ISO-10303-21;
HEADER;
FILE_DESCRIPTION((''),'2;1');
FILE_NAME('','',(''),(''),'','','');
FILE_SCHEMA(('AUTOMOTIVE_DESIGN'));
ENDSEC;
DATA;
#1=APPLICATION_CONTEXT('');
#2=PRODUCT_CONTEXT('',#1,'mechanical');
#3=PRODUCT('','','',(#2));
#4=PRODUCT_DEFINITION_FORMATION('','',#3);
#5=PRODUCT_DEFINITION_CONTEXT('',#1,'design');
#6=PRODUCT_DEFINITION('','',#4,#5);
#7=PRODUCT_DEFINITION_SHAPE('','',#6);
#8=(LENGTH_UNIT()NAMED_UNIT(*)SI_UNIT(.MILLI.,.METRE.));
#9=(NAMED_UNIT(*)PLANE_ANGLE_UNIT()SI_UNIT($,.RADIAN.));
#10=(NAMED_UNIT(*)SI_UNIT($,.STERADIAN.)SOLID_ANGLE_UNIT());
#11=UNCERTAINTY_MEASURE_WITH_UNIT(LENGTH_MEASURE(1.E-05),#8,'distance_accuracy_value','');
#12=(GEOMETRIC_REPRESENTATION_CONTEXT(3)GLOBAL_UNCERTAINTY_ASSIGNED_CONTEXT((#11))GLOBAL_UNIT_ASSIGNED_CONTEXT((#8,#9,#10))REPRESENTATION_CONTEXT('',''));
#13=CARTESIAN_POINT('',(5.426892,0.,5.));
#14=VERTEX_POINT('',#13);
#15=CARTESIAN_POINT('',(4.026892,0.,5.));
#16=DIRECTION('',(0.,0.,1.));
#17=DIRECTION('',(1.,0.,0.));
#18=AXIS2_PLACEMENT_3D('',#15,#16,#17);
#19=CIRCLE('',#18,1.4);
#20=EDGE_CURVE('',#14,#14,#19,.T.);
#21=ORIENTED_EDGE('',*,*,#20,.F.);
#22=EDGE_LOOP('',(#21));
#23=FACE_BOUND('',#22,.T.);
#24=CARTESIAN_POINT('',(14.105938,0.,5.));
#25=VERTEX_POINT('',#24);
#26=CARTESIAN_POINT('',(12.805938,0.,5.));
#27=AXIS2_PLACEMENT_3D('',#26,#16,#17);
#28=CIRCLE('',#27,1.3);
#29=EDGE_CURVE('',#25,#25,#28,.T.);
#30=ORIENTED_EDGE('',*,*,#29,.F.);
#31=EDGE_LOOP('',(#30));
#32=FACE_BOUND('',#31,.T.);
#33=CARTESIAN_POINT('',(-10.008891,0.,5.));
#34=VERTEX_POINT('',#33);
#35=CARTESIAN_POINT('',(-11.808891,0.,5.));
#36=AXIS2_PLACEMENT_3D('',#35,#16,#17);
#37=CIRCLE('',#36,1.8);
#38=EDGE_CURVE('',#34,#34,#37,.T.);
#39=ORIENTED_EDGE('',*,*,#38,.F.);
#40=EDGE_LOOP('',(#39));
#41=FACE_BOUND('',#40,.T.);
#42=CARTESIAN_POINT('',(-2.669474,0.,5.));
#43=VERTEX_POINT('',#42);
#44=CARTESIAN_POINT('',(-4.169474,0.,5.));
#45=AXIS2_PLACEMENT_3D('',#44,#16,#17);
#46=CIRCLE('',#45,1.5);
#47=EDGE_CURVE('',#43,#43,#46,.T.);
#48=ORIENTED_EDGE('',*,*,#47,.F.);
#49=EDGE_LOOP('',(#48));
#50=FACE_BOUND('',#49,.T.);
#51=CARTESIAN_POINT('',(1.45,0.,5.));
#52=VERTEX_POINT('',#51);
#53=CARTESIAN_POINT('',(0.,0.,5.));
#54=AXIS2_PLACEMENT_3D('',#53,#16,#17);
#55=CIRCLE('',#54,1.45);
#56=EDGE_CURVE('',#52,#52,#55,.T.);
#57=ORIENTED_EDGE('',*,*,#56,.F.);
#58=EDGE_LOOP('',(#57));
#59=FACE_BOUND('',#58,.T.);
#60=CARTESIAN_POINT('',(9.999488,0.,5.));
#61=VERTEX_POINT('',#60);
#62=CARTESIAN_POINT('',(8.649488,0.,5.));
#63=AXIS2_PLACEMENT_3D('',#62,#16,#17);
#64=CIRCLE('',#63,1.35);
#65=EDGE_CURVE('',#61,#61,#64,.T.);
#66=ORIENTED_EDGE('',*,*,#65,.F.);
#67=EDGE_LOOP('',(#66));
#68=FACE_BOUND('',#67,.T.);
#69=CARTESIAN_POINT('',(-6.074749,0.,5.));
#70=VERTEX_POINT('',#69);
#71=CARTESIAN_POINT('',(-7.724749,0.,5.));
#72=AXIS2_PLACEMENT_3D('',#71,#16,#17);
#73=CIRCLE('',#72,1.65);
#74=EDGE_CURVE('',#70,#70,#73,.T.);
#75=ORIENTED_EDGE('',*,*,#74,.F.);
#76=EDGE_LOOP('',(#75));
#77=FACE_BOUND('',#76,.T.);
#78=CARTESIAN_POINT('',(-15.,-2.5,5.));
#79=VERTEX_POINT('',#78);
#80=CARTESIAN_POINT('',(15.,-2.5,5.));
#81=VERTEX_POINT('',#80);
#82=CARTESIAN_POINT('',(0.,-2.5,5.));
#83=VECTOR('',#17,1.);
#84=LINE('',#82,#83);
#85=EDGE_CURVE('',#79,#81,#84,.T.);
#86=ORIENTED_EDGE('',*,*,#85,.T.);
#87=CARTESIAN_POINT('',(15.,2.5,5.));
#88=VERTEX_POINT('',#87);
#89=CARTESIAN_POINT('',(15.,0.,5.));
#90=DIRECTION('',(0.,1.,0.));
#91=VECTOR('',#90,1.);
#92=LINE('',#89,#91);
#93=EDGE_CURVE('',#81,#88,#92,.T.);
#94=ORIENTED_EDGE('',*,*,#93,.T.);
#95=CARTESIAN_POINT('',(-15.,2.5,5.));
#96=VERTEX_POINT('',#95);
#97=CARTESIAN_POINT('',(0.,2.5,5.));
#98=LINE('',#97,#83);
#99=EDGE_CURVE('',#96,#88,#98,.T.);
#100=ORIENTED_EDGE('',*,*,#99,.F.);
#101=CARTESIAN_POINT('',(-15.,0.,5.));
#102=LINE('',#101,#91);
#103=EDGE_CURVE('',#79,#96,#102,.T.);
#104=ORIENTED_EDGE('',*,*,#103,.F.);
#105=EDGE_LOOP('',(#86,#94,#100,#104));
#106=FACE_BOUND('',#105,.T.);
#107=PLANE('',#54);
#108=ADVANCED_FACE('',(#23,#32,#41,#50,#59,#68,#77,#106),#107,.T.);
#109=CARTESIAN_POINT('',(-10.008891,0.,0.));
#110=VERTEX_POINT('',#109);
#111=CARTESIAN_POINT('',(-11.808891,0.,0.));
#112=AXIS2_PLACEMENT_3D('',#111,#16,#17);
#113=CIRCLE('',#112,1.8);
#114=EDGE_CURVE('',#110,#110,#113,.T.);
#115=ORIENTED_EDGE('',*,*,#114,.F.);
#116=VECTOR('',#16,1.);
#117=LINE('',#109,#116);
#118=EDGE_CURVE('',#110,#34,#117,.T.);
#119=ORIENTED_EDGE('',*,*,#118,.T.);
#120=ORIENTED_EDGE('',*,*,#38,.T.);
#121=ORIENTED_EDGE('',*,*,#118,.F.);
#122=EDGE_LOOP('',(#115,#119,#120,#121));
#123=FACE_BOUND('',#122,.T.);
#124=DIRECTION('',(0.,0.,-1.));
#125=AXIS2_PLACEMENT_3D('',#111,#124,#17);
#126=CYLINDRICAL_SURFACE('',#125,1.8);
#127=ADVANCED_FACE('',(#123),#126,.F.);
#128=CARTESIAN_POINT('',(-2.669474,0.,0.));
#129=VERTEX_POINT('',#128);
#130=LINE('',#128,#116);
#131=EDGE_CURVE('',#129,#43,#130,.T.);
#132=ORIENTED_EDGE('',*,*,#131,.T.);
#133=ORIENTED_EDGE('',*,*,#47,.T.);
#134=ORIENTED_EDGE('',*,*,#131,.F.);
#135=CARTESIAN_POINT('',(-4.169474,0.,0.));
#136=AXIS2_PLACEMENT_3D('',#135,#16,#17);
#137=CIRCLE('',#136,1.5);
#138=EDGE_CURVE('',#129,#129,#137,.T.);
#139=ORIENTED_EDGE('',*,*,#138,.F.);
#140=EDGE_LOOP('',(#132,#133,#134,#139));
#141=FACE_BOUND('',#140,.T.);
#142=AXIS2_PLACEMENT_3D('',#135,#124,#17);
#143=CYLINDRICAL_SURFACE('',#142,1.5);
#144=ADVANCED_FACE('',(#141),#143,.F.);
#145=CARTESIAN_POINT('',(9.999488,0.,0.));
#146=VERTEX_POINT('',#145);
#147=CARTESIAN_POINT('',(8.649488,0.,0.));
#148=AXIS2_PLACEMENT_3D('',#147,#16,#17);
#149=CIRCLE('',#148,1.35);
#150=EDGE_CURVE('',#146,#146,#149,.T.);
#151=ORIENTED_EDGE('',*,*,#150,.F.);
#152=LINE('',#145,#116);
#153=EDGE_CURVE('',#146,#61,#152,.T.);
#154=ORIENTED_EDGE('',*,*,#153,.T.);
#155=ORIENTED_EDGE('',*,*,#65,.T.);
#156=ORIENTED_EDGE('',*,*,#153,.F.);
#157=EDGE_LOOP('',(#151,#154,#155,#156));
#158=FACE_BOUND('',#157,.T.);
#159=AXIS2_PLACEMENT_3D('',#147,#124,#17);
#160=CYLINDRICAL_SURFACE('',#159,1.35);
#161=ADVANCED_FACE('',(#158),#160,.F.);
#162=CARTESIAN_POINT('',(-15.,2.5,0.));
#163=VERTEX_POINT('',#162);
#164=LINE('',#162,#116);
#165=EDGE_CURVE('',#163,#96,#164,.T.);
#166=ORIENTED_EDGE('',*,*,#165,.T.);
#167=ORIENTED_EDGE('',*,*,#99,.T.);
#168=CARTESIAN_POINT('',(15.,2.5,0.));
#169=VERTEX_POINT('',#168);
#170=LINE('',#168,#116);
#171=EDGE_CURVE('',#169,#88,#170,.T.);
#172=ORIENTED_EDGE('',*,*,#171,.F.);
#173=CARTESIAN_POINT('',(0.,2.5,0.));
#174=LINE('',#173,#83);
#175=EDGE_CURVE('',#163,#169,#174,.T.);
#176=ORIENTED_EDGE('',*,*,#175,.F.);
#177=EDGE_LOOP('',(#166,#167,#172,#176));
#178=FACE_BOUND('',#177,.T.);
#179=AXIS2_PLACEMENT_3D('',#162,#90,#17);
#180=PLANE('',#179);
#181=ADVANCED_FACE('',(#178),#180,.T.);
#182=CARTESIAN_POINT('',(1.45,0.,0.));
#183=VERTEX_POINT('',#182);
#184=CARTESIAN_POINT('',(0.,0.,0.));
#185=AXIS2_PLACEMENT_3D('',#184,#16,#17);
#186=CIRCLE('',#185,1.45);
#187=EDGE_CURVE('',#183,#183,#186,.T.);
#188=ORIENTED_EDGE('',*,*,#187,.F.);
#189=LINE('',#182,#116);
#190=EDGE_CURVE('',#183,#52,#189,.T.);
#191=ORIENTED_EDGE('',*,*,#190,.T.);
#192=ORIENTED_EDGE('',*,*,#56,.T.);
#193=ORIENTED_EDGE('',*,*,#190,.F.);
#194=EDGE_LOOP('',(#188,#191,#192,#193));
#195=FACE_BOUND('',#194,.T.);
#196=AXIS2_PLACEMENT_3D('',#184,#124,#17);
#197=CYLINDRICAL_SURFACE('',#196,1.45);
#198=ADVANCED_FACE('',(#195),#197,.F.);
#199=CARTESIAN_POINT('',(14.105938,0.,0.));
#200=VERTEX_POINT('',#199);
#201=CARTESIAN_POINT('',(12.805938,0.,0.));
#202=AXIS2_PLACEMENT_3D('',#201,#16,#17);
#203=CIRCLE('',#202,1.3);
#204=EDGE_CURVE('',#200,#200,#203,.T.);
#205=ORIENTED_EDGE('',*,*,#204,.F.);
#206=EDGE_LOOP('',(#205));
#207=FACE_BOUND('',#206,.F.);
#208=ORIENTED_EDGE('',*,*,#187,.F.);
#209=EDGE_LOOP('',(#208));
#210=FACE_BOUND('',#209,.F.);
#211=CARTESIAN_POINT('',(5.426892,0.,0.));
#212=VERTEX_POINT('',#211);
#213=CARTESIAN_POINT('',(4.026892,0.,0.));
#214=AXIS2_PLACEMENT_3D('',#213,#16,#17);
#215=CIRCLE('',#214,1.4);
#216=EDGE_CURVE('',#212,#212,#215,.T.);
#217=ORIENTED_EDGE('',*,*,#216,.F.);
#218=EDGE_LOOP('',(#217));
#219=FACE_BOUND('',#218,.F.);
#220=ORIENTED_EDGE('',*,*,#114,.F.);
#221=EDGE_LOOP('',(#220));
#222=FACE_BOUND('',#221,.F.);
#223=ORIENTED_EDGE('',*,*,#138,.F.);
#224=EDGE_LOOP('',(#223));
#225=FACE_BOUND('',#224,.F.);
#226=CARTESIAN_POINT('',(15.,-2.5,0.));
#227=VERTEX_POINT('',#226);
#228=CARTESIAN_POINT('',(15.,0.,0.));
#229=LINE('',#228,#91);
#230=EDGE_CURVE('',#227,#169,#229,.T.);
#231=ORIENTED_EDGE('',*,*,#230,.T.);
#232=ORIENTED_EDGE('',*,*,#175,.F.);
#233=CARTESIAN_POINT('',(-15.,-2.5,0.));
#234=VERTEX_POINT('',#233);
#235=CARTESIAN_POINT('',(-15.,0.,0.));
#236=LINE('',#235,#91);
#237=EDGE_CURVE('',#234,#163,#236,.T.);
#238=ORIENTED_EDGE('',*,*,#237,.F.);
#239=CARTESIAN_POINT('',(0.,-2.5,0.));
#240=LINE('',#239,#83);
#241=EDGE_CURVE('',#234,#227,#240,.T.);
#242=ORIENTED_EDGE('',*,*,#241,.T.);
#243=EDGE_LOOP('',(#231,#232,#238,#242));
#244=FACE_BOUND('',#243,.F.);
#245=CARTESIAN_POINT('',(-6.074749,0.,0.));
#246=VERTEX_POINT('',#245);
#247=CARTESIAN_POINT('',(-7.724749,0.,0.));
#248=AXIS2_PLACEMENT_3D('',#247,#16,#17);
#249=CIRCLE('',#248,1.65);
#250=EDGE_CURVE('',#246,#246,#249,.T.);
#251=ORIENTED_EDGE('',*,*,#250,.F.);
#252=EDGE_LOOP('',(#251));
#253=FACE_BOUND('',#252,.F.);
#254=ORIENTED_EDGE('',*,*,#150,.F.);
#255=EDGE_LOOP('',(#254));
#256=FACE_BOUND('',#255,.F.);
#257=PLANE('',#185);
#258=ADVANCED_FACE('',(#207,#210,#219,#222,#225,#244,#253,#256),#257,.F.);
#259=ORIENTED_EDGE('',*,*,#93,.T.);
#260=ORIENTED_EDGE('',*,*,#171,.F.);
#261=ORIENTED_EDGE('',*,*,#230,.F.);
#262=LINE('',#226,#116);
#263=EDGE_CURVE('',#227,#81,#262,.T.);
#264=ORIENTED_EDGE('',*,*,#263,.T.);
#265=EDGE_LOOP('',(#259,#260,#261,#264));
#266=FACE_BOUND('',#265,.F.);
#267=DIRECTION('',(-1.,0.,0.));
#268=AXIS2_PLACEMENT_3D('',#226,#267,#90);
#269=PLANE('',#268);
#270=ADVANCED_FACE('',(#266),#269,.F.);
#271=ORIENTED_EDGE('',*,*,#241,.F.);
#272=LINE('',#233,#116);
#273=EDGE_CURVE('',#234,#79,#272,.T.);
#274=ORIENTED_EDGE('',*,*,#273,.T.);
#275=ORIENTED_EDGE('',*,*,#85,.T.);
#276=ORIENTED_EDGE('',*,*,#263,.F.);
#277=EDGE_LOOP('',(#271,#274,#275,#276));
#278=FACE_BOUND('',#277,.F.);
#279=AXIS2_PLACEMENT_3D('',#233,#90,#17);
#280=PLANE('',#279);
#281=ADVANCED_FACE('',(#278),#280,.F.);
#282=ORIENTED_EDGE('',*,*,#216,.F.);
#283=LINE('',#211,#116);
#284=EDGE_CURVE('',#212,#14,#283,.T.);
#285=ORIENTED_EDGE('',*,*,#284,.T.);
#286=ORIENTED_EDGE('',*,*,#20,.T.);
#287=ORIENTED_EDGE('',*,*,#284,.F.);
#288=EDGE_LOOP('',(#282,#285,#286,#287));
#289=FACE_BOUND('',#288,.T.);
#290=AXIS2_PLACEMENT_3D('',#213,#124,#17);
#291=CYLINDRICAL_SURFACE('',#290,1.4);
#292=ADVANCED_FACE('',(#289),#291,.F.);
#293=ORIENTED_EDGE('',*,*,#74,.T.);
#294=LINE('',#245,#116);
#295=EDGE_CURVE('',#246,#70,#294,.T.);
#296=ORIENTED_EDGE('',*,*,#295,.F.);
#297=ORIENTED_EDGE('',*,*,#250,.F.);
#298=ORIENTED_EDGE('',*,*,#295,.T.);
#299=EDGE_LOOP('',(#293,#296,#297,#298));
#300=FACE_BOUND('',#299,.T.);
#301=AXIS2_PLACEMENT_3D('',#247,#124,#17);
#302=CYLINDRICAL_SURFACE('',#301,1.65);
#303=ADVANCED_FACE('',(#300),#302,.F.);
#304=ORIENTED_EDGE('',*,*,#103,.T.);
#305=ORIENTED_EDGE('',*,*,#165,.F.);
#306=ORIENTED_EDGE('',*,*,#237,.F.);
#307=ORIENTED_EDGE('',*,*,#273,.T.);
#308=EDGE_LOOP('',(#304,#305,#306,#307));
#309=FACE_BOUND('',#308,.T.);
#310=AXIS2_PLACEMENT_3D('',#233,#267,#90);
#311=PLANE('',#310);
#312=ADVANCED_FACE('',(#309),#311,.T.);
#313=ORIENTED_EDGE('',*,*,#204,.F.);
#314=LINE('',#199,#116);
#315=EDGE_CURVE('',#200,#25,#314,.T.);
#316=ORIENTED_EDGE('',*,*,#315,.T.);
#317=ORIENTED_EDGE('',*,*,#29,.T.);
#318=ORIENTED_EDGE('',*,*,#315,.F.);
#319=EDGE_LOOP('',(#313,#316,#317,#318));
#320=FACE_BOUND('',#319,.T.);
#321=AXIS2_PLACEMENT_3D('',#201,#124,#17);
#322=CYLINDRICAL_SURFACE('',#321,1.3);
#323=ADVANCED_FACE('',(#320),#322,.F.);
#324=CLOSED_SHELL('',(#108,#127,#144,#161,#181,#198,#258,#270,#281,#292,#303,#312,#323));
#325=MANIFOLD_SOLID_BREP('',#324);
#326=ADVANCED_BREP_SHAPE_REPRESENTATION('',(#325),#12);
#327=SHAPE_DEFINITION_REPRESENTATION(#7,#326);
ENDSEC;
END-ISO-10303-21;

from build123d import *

# Parameters (mm, degrees)
F0_W     = 30
F0_H     = 5
F0_R     = 1.8
F0_R_2   = 1.65
F0_R_3   = 1.5
F0_R_4   = 1.45
F0_R_5   = 1.4
F0_R_6   = 1.35
F0_R_7   = 1.3
F1_DEPTH = 5


with BuildPart() as f1:
    # F0 (on Top) → F1 (new body)
    with BuildSketch(Plane.XY):
        Rectangle(F0_W, F0_H)
        with Locations((-11.808891, 0)):
            Circle(F0_R, mode=Mode.SUBTRACT)
        with Locations((-7.724749, 0)):
            Circle(F0_R_2, mode=Mode.SUBTRACT)
        with Locations((-4.169474, 0)):
            Circle(F0_R_3, mode=Mode.SUBTRACT)
        Circle(F0_R_4, mode=Mode.SUBTRACT)
        with Locations((4.026892, 0)):
            Circle(F0_R_5, mode=Mode.SUBTRACT)
        with Locations((8.649488, 0)):
            Circle(F0_R_6, mode=Mode.SUBTRACT)
        with Locations((12.805938, 0)):
            Circle(F0_R_7, mode=Mode.SUBTRACT)
    extrude(amount=F1_DEPTH)


solid = f1.part
